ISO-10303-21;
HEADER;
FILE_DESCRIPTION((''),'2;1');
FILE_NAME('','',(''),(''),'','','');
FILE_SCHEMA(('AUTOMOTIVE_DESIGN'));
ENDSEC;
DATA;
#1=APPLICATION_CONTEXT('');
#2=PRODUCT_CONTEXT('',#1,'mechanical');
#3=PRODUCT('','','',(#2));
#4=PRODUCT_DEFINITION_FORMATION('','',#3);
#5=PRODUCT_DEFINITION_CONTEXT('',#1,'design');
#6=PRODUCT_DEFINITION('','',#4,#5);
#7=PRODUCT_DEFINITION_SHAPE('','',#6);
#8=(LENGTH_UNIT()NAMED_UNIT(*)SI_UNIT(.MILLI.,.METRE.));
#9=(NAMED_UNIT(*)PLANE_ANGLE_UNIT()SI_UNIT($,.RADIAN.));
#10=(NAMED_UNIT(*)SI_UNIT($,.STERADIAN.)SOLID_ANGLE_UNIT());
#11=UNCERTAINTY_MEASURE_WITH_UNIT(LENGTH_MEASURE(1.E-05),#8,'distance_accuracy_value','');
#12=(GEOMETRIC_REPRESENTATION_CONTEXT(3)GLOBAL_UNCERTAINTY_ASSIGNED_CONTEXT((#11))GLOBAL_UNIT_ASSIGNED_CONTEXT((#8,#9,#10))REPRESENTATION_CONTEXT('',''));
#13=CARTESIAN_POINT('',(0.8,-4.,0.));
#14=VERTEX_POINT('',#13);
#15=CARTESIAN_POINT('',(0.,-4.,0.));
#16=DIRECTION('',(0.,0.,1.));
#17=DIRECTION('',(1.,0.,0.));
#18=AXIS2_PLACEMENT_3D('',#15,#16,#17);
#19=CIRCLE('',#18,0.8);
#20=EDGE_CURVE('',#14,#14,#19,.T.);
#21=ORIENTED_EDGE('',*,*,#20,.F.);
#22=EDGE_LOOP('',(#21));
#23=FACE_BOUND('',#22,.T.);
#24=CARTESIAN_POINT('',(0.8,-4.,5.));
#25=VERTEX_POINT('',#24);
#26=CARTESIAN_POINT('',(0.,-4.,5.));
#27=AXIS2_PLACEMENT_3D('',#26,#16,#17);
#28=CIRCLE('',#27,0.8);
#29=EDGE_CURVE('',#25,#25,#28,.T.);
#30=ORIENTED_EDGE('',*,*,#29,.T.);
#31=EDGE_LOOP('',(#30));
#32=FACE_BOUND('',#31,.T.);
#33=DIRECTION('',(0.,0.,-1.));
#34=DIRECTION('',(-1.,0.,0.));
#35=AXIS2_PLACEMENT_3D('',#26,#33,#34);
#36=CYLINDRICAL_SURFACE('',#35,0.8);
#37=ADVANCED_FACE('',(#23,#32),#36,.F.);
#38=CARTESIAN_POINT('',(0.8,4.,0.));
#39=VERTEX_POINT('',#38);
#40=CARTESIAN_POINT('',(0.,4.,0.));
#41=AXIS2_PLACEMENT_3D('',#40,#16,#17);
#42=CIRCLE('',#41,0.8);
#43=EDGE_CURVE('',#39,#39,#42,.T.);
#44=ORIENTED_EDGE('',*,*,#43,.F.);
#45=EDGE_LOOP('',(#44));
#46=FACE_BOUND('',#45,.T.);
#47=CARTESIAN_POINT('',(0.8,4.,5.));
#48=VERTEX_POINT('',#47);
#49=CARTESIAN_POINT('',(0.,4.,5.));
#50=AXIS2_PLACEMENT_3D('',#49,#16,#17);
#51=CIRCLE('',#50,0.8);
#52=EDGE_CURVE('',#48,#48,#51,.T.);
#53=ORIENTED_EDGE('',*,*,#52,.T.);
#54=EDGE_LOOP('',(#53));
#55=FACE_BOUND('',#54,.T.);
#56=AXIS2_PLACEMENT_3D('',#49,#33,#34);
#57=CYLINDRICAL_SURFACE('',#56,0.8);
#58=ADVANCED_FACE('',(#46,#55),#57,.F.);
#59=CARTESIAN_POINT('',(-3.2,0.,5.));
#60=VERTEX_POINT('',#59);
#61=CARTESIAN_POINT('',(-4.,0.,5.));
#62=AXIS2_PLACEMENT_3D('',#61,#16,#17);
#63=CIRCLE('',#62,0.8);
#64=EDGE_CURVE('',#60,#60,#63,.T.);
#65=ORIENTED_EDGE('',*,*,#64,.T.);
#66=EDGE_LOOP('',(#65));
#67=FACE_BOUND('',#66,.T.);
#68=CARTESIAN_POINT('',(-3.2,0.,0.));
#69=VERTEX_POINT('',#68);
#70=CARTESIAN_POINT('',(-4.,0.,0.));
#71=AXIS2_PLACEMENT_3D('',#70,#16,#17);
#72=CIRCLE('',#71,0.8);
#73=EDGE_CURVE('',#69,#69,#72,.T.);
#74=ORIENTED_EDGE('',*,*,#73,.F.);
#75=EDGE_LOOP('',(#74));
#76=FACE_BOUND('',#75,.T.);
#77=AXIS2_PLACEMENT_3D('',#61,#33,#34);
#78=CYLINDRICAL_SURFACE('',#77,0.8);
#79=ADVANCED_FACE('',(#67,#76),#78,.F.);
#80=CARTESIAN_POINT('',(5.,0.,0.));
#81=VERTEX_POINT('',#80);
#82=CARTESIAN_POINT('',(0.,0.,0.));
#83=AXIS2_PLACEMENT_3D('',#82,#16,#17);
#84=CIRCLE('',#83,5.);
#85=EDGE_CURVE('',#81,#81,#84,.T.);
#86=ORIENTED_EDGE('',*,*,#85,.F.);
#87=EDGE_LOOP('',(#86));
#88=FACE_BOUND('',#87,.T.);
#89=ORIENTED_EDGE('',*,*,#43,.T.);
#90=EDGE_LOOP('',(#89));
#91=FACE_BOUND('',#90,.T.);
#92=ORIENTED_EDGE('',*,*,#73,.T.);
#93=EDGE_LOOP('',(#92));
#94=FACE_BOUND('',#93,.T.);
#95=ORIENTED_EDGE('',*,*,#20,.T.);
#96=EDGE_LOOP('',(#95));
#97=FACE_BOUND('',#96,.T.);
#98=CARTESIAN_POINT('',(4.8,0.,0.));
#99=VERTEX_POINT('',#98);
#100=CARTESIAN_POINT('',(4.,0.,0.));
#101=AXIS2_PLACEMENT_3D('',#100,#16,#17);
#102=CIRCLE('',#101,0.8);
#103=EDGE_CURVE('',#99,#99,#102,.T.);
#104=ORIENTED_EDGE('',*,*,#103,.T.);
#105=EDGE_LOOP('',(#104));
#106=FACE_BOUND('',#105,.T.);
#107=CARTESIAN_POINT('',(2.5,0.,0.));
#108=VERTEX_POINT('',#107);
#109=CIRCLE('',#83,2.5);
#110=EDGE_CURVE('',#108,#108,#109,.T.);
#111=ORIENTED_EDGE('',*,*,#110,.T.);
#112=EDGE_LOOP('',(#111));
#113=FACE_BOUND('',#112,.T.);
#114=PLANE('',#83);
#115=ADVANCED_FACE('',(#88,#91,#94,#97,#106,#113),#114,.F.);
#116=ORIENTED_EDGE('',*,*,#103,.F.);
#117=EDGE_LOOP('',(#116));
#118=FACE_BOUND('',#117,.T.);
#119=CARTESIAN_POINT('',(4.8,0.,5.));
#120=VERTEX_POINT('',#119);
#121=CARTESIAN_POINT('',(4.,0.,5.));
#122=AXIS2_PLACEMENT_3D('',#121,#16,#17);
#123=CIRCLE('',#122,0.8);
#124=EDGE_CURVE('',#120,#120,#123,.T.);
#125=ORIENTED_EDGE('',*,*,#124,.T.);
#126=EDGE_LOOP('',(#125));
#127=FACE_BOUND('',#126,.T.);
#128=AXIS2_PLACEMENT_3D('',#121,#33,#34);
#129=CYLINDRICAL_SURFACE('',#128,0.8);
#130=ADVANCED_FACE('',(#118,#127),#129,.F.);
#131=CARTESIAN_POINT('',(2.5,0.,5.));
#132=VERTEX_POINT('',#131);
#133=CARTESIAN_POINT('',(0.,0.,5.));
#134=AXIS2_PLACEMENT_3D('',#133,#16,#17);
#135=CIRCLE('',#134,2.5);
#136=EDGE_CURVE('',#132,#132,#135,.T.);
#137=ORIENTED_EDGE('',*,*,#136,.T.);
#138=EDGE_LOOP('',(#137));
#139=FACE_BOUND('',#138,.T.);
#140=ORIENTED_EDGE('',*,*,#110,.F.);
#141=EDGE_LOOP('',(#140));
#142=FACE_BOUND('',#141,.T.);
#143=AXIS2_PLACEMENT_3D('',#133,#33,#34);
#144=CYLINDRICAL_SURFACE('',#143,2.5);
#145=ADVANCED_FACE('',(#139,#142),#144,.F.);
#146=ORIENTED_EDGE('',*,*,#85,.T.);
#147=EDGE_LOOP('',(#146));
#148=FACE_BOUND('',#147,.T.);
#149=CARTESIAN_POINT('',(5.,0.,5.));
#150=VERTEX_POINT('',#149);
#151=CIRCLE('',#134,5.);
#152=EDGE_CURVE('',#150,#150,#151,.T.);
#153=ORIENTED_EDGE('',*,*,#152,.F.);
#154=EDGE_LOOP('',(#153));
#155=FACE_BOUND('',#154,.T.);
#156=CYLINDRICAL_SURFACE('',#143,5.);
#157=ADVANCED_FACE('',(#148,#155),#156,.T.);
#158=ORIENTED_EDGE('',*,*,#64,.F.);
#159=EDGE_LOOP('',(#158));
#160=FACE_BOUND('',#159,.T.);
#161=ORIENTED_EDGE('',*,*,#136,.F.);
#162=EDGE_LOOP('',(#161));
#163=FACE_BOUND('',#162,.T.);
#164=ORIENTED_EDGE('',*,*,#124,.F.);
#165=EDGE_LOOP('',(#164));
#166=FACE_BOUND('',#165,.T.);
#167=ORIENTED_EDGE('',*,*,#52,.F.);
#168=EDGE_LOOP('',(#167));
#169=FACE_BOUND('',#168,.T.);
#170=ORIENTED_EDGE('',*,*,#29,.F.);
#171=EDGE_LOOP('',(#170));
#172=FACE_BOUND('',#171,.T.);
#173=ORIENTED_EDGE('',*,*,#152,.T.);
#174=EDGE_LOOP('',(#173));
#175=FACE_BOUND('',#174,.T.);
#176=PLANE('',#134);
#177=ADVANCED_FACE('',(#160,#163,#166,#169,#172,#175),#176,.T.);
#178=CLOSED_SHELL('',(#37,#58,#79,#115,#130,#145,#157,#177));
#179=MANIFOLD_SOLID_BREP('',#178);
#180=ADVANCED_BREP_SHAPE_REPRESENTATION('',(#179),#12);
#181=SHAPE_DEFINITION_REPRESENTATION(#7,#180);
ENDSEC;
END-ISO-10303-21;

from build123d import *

# Parameters (mm, degrees)
SKETCH_1_R      = 5
SKETCH_1_R_2    = 2.5
SKETCH_1_R_3    = 0.8
EXTRUDE_1_DEPTH = 5


with BuildPart() as part:
    # 草图1 → 凸台-拉伸1 (new body)
    with BuildSketch(Plane.XY):
        Circle(SKETCH_1_R)
        Circle(SKETCH_1_R_2, mode=Mode.SUBTRACT)
        with Locations((0, 4)):
            Circle(SKETCH_1_R_3, mode=Mode.SUBTRACT)
        with Locations((4, 0)):
            Circle(SKETCH_1_R_3, mode=Mode.SUBTRACT)
        with Locations((0, -4)):
            Circle(SKETCH_1_R_3, mode=Mode.SUBTRACT)
        with Locations((-4, 0)):
            Circle(SKETCH_1_R_3, mode=Mode.SUBTRACT)
    extrude(amount=EXTRUDE_1_DEPTH)


solid = part.part
